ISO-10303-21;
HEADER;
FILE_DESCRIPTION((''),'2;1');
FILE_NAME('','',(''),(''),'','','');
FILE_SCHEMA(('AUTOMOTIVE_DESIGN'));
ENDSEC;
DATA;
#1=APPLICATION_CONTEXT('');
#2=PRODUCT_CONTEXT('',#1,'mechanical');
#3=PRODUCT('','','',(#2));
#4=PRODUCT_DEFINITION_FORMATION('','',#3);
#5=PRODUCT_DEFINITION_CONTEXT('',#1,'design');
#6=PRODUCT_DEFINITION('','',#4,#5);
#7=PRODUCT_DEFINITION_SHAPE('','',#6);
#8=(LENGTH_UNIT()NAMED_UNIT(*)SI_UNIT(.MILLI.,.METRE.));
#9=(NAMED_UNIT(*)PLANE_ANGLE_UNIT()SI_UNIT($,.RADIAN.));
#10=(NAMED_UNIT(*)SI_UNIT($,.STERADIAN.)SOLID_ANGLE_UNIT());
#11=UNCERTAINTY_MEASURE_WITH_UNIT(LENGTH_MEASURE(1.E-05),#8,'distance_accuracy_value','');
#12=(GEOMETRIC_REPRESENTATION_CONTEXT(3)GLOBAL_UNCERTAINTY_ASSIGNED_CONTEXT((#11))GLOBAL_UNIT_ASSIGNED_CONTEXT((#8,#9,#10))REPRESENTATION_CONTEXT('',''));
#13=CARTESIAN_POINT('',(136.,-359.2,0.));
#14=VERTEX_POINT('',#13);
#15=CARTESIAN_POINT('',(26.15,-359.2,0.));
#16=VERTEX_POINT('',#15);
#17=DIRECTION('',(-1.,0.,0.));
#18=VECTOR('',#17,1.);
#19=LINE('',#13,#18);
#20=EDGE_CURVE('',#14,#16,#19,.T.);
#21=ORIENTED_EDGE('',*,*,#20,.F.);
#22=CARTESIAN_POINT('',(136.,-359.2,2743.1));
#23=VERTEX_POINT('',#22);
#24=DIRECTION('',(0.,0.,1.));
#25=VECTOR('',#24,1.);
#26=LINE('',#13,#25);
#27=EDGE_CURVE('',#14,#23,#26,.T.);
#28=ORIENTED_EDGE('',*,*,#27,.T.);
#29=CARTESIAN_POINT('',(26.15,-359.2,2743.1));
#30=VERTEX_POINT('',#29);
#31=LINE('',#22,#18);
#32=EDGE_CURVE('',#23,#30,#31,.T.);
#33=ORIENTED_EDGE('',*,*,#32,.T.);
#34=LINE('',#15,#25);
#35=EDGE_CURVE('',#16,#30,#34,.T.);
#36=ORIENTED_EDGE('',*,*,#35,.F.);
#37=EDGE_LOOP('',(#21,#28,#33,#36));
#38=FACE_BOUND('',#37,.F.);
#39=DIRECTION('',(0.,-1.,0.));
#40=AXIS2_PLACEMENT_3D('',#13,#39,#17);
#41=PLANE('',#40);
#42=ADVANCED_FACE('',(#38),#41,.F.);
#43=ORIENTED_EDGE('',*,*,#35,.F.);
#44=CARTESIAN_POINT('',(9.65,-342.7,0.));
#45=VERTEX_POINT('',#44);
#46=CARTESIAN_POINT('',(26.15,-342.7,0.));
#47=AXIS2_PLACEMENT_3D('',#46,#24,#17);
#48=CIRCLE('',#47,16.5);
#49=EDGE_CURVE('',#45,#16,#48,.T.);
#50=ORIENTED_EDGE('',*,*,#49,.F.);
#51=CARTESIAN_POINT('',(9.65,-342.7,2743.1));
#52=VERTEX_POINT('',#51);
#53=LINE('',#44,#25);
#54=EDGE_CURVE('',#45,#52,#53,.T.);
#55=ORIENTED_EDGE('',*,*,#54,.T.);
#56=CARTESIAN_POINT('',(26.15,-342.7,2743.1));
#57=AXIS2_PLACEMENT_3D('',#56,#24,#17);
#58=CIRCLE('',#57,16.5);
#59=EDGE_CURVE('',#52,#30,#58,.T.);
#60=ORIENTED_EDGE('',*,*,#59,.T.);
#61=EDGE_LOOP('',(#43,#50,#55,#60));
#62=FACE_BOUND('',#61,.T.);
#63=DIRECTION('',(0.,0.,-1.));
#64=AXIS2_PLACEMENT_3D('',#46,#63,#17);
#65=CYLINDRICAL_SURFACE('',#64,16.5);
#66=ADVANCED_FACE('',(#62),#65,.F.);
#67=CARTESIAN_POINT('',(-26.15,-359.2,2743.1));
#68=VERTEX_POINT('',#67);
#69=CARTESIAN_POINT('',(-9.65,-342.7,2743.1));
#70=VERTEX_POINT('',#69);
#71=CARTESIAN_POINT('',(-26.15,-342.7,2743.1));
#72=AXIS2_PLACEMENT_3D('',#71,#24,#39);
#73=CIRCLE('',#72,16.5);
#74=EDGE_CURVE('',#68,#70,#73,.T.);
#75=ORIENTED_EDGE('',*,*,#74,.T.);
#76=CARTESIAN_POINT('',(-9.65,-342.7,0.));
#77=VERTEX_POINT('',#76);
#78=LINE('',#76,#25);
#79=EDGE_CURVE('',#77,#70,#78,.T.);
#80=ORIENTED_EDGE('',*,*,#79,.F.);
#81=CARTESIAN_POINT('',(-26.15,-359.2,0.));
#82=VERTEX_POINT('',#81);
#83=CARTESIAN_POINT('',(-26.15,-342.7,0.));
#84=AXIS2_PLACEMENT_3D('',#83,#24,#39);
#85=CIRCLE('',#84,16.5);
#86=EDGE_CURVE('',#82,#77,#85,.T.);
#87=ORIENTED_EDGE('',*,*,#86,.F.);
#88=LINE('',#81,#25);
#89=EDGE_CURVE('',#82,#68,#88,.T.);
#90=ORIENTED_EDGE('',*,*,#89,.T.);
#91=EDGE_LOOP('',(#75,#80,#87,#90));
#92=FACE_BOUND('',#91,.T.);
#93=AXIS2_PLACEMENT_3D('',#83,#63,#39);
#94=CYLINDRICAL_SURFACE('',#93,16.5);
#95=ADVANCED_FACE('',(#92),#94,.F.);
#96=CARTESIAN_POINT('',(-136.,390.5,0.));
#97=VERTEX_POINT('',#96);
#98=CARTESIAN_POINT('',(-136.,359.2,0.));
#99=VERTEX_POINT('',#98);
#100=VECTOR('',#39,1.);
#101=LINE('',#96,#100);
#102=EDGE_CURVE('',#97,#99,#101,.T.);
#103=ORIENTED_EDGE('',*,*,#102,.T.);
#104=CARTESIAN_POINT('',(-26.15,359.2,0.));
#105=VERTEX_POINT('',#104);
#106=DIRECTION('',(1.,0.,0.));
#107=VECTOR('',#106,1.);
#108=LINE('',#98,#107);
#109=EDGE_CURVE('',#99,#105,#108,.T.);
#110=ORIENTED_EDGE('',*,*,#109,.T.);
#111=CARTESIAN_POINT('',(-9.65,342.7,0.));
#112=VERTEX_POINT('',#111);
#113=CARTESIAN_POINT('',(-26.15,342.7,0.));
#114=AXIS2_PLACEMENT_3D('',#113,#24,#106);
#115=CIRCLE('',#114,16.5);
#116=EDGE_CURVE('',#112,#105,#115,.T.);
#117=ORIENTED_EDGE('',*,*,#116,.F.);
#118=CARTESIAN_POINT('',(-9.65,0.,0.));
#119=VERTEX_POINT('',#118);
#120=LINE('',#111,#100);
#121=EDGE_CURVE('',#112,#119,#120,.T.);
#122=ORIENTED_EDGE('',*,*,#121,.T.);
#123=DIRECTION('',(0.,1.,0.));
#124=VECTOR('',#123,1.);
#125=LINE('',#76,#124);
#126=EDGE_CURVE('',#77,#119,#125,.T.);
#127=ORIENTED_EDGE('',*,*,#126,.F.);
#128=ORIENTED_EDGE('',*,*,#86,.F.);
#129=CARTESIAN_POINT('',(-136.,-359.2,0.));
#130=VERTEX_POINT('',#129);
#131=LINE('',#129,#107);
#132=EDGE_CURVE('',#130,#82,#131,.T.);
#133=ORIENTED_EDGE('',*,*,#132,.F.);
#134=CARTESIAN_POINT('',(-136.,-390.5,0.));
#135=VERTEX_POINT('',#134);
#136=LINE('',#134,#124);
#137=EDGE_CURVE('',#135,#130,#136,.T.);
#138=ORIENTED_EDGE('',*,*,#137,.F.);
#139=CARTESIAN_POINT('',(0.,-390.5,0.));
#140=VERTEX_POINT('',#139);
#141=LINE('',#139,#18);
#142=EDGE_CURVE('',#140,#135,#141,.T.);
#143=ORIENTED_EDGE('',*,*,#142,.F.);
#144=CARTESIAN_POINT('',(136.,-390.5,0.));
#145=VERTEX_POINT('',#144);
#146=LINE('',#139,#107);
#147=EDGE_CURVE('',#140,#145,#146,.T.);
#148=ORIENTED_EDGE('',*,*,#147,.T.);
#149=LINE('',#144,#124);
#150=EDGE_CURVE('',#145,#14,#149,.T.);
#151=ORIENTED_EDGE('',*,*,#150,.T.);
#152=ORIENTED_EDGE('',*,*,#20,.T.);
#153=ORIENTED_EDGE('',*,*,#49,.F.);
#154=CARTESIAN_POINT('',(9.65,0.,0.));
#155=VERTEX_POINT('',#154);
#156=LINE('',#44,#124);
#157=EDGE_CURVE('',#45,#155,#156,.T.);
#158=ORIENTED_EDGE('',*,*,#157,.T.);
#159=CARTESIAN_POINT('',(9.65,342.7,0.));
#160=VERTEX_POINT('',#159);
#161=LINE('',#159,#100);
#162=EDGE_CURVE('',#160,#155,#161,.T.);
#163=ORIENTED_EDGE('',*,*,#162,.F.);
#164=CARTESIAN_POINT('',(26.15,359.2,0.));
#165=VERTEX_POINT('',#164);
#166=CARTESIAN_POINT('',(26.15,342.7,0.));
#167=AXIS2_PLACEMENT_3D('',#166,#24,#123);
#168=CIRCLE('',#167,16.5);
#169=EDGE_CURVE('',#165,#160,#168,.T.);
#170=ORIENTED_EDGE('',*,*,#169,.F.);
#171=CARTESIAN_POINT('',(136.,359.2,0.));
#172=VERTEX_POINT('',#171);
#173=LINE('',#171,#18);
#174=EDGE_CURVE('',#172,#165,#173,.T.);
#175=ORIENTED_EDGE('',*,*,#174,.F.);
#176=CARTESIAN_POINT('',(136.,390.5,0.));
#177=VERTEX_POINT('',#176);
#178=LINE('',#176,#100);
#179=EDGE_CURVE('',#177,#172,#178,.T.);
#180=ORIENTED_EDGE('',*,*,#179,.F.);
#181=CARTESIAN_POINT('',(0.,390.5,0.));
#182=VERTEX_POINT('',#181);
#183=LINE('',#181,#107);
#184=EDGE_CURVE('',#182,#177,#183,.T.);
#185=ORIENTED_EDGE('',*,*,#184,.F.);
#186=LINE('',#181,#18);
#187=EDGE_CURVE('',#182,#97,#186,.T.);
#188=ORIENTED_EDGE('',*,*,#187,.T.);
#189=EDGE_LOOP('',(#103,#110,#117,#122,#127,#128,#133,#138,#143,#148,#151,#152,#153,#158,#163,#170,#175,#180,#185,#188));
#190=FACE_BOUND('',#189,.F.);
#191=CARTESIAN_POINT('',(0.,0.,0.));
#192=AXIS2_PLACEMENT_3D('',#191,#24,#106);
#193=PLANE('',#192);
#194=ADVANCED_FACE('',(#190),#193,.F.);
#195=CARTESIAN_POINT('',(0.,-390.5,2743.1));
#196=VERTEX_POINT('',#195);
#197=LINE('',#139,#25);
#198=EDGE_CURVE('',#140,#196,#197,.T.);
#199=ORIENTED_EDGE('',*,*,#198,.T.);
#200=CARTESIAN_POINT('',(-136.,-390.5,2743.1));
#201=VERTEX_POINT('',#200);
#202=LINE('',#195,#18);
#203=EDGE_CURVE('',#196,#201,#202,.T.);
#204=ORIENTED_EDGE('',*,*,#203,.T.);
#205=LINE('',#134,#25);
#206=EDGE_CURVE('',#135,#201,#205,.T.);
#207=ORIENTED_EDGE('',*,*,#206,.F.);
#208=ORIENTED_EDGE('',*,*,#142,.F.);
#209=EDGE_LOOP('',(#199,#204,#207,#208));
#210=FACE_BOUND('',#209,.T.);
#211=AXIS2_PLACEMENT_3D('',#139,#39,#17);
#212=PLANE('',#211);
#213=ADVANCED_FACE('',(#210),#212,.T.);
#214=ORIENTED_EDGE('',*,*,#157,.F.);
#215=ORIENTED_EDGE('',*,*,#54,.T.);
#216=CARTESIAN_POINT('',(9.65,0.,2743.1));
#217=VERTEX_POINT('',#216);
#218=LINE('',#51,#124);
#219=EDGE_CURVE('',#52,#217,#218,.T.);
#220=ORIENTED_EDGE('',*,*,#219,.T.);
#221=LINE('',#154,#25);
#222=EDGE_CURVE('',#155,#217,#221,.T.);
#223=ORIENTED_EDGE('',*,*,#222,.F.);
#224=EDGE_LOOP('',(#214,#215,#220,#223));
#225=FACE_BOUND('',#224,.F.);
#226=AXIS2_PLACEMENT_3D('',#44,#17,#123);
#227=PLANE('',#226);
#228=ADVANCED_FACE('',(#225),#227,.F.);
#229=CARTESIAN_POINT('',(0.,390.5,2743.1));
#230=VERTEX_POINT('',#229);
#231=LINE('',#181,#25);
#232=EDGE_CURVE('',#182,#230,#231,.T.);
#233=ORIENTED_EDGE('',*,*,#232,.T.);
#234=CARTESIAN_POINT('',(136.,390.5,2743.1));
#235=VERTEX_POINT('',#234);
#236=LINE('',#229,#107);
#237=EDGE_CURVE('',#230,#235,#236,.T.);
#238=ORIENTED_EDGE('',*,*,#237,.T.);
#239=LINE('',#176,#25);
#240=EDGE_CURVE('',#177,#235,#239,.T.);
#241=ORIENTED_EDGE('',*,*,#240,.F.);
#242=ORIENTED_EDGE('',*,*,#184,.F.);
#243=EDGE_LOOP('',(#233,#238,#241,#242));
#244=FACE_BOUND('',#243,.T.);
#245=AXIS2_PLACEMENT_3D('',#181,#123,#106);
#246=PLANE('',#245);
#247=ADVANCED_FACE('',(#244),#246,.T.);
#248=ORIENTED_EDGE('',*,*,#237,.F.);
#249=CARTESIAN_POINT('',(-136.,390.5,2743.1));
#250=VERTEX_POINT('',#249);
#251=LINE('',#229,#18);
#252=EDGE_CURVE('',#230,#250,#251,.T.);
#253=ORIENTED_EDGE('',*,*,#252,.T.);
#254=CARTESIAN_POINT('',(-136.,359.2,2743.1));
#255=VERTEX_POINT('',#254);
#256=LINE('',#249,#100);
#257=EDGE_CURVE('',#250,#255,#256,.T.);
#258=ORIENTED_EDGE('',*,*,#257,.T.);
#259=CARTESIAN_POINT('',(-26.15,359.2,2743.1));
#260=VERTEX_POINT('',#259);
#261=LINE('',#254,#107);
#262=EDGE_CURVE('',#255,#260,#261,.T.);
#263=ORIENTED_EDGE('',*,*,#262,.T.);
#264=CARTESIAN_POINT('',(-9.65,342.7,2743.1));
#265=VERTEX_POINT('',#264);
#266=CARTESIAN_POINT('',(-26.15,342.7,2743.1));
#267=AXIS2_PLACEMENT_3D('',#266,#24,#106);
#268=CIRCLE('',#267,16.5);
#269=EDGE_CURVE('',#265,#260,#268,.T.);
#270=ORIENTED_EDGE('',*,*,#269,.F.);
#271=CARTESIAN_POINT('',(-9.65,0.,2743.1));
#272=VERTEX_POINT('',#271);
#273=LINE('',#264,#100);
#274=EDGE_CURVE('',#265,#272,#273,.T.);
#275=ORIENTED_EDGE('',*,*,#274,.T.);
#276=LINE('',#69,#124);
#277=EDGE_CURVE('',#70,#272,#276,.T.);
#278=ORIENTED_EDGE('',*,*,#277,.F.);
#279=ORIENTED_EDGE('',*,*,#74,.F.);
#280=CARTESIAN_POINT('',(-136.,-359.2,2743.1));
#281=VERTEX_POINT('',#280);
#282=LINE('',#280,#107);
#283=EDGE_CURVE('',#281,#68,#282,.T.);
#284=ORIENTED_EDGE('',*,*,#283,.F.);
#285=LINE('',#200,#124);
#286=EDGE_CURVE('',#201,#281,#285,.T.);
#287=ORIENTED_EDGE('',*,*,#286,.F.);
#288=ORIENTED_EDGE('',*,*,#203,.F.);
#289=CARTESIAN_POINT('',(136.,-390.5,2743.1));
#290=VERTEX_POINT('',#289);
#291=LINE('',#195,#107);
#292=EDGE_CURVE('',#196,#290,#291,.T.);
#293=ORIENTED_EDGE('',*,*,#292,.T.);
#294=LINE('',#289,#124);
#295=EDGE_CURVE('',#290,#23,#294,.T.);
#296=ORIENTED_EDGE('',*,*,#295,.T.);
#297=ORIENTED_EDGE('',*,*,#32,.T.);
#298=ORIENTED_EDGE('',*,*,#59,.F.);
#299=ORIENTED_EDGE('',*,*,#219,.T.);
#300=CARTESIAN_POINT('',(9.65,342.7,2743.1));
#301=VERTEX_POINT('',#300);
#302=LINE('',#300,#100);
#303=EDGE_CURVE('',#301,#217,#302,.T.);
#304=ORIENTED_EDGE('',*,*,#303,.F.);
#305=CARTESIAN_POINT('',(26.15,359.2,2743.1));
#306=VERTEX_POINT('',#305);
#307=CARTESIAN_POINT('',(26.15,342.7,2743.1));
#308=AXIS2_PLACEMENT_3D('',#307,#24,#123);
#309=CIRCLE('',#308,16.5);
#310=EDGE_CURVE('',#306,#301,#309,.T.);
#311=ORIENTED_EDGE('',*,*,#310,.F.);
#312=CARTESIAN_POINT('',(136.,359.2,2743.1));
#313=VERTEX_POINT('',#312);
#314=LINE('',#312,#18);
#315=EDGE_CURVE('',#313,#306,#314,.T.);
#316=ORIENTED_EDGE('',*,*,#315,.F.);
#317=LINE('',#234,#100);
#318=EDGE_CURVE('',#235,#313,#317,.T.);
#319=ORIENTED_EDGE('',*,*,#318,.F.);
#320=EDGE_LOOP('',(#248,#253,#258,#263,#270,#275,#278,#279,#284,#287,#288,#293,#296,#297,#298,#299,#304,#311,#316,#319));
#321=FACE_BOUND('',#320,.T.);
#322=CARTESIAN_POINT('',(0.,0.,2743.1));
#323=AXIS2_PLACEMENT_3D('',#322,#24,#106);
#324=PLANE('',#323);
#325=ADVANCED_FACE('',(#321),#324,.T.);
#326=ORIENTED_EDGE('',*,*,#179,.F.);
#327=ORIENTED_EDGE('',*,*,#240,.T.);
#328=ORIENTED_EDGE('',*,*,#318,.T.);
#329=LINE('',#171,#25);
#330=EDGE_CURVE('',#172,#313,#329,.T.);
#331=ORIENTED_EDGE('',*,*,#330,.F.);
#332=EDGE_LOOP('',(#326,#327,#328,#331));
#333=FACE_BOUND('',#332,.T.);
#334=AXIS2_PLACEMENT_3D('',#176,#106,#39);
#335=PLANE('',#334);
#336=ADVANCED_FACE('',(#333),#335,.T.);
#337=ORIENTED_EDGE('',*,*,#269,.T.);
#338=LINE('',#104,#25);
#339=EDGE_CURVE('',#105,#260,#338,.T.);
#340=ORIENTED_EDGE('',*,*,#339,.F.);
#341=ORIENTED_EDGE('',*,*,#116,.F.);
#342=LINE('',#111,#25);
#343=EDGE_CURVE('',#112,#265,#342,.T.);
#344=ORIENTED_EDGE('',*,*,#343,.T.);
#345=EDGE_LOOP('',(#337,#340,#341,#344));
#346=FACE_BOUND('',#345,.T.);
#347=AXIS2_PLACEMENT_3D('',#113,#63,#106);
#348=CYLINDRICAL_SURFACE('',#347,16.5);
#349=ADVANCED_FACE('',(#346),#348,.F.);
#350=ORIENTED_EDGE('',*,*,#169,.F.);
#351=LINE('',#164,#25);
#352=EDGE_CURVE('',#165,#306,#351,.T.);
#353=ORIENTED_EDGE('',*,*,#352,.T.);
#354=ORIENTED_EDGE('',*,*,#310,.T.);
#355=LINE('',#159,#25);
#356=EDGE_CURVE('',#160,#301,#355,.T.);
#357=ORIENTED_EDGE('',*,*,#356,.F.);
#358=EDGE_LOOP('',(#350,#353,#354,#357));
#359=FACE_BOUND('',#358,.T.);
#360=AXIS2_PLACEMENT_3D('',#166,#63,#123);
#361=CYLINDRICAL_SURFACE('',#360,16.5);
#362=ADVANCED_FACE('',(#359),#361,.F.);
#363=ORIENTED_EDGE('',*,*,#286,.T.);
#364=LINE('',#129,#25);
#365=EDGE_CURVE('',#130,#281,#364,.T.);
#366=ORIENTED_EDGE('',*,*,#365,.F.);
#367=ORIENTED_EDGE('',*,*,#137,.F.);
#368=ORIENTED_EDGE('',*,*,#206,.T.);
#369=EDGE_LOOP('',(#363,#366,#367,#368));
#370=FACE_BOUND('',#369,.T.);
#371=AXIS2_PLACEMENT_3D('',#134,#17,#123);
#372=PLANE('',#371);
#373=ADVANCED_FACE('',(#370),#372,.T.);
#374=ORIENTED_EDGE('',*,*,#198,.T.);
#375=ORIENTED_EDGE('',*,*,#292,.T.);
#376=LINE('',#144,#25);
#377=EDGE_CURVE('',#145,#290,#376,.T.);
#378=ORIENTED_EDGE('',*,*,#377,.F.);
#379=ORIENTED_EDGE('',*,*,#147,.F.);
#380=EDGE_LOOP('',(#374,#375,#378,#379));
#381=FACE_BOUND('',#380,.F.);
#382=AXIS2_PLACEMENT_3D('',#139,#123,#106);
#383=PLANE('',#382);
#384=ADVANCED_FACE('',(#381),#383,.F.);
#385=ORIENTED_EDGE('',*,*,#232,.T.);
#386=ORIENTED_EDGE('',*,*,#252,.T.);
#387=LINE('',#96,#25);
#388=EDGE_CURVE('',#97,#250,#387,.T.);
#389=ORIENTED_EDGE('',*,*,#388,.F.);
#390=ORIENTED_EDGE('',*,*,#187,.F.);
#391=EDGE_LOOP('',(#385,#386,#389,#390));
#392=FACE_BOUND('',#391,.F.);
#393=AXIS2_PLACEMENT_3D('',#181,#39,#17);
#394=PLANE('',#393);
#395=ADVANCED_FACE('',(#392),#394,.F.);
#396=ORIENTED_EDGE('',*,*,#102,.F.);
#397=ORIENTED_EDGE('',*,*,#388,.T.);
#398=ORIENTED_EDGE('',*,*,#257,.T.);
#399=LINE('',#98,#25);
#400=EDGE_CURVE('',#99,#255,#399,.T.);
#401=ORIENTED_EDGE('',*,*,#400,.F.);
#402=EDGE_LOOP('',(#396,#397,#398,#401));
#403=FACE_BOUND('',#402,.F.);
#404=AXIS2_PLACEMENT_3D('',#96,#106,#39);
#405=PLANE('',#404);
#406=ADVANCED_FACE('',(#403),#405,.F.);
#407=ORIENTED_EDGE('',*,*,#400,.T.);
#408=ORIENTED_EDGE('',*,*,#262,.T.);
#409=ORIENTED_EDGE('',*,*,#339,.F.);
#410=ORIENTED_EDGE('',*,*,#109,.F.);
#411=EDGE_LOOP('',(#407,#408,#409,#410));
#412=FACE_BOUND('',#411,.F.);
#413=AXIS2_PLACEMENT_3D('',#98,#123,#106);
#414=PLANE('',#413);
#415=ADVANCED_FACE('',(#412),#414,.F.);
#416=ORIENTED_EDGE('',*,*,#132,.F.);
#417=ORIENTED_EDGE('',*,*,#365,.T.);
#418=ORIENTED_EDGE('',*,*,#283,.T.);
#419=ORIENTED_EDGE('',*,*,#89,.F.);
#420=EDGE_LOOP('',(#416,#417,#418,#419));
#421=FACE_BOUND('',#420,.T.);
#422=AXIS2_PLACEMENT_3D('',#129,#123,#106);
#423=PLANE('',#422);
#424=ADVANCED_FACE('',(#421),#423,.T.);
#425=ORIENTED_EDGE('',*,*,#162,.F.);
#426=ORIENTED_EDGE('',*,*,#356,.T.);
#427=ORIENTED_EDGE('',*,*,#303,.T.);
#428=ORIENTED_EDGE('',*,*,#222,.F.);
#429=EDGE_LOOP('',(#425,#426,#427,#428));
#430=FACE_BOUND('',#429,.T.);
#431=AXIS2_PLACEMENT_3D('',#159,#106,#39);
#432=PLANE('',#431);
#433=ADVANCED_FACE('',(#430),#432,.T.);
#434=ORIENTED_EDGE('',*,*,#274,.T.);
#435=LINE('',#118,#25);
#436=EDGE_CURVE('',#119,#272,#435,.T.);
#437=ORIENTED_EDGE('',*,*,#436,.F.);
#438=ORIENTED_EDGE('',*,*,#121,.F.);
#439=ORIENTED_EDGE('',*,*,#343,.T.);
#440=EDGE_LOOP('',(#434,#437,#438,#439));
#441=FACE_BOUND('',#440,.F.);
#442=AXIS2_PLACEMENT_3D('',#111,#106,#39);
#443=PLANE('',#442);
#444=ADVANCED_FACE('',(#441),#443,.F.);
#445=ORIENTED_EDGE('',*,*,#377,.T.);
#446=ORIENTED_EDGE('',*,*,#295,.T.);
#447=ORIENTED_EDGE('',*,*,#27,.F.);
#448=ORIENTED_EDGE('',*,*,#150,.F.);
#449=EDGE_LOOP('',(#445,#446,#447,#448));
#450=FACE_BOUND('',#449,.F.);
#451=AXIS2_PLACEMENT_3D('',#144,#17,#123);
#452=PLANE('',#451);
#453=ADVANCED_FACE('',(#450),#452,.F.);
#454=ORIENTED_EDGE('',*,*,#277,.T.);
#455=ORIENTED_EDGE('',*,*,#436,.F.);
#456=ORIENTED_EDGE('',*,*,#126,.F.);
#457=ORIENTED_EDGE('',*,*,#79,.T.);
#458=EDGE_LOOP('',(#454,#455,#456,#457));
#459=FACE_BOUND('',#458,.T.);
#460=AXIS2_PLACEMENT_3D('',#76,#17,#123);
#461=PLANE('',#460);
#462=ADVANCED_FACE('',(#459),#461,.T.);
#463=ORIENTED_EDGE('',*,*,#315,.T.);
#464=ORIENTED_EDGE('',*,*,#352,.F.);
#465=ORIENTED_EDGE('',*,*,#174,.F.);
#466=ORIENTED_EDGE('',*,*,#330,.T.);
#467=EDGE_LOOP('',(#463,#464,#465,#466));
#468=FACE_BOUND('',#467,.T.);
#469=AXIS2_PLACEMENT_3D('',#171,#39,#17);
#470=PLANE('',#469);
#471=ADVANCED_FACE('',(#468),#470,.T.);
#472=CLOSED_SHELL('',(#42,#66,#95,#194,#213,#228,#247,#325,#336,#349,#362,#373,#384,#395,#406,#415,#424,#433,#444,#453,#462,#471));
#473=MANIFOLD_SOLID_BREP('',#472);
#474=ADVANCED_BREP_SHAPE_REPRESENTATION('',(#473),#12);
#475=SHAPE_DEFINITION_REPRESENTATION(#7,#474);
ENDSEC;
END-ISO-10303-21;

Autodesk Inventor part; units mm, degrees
ref_plane "YZ Plane" through (0, 0, 0) normal (1, 0, 0) x (0, 1, 0)
ref_plane "Start plane" through (0, 0, 0) normal (0, 0, 1) x (1, 0, 0)
ref_plane "End plane" through (0, 0, 2743.1) normal (0, 0, 1) x (1, 0, 0)
sketch "Sketch" plane through (0, 0, 0) normal (0, 0, 1) x (1, 0, 0)
  line L0 (-136, -390.5) -> (-136, -359.2)
  line L1 (-136, -359.2) -> (-26.15, -359.2)
  line L2 (-9.65, -342.7) -> (-9.65, 0)
  line L3 (-9.65, 0) -> (0, 0) construction
  line L4 (0, 0) -> (0, -390.5) construction
  line L5 (0, -390.5) -> (-136, -390.5)
  line L6 (-60, 0) -> (80, 0) construction
  line L7 (0, -60) -> (0, 80) construction
  line L8 (136, -390.5) -> (136, -359.2)
  line L9 (136, -359.2) -> (26.15, -359.2)
  line L10 (9.65, -342.7) -> (9.65, 0)
  line L11 (9.65, 0) -> (0, 0) construction
  line L12 (0, -390.5) -> (136, -390.5)
  line L13 (-136, 390.5) -> (-136, 359.2)
  line L14 (-136, 359.2) -> (-26.15, 359.2)
  line L15 (-9.65, 342.7) -> (-9.65, 0)
  line L16 (0, 390.5) -> (-136, 390.5)
  line L17 (136, 390.5) -> (136, 359.2)
  line L18 (136, 359.2) -> (26.15, 359.2)
  line L19 (0, 390.5) -> (136, 390.5)
  line L20 (9.65, 342.7) -> (9.65, 0)
  arc A0 (-9.65, 342.7) -> (-26.15, 359.2) centre (-26.15, 342.7) ccw
  arc A1 (26.15, 359.2) -> (9.65, 342.7) centre (26.15, 342.7) ccw
  arc A2 (9.65, -342.7) -> (26.15, -359.2) centre (26.15, -342.7) ccw
  arc A3 (-26.15, -359.2) -> (-9.65, -342.7) centre (-26.15, -342.7) ccw
  line L21 (0, 108) -> (0, -88) construction
  line L22 (-88, 0) -> (108, 0) construction
  point P0 (-9.65, -359.2)
  point P1 (9.65, -359.2)
  point P2 (-9.65, 359.2)
  point P3 (9.65, 359.2)
  dimension "d1" = 390.5
  dimension "d2" = 31.3
  dimension "d3" = 136
  dimension "d4" = 9.65
  dimension "d10" = 16.5
extrude "Body" add sketch "Sketch" along normal up to surface (2743.1 mm away) from surface at 0
sketch "Sketch4" plane through (0, 0, 0) normal (0, 0, 1) x (1, 0, 0)
  line L0 (0, 0) -> (10, 0)
ref_plane "Work Plane3" through (0, 0, 0) normal (0, -1, 0) x (1, 0, 0)
sketch "Sketch5" plane through (0, 0, 0) normal (0, -1, 0) x (1, 0, 0)
  line L0 (-2, 0) -> (12, 0) projected
  line L1 (-2, 2743.1) -> (12, 2743.1) projected
  dimension "d14" = 2743.1
equation "\"d1\" = 0.5 * G_H"
equation "\"d2\" = G_T1"
equation "\"d3\" = 0.5 * G_W"
equation "\"d4\" = 0.5 * G_T"
equation "\"d10\" = G_IR"
equation "\"d5\" = G_L"
equation "\"G_W\" = 272"
equation "\"G_H\" = 781"
equation "\"G_T\" = 19.3"
equation "\"G_T1\" = 31.3"
equation "\"G_IR\" = 16.5"
equation "\"G_L\" = d14"
equation "\"G_OFFSET_START\" = 0"
equation "\"G_OFFSET_END\" = 0"
equation "\"d12\" = G_OFFSET_END + B_L"
equation "\"B_L\" = 2743.1"
properties part number "AS 3679-1990 - 760 UB - 244 - 2743.1" material "Steel, Mild"
